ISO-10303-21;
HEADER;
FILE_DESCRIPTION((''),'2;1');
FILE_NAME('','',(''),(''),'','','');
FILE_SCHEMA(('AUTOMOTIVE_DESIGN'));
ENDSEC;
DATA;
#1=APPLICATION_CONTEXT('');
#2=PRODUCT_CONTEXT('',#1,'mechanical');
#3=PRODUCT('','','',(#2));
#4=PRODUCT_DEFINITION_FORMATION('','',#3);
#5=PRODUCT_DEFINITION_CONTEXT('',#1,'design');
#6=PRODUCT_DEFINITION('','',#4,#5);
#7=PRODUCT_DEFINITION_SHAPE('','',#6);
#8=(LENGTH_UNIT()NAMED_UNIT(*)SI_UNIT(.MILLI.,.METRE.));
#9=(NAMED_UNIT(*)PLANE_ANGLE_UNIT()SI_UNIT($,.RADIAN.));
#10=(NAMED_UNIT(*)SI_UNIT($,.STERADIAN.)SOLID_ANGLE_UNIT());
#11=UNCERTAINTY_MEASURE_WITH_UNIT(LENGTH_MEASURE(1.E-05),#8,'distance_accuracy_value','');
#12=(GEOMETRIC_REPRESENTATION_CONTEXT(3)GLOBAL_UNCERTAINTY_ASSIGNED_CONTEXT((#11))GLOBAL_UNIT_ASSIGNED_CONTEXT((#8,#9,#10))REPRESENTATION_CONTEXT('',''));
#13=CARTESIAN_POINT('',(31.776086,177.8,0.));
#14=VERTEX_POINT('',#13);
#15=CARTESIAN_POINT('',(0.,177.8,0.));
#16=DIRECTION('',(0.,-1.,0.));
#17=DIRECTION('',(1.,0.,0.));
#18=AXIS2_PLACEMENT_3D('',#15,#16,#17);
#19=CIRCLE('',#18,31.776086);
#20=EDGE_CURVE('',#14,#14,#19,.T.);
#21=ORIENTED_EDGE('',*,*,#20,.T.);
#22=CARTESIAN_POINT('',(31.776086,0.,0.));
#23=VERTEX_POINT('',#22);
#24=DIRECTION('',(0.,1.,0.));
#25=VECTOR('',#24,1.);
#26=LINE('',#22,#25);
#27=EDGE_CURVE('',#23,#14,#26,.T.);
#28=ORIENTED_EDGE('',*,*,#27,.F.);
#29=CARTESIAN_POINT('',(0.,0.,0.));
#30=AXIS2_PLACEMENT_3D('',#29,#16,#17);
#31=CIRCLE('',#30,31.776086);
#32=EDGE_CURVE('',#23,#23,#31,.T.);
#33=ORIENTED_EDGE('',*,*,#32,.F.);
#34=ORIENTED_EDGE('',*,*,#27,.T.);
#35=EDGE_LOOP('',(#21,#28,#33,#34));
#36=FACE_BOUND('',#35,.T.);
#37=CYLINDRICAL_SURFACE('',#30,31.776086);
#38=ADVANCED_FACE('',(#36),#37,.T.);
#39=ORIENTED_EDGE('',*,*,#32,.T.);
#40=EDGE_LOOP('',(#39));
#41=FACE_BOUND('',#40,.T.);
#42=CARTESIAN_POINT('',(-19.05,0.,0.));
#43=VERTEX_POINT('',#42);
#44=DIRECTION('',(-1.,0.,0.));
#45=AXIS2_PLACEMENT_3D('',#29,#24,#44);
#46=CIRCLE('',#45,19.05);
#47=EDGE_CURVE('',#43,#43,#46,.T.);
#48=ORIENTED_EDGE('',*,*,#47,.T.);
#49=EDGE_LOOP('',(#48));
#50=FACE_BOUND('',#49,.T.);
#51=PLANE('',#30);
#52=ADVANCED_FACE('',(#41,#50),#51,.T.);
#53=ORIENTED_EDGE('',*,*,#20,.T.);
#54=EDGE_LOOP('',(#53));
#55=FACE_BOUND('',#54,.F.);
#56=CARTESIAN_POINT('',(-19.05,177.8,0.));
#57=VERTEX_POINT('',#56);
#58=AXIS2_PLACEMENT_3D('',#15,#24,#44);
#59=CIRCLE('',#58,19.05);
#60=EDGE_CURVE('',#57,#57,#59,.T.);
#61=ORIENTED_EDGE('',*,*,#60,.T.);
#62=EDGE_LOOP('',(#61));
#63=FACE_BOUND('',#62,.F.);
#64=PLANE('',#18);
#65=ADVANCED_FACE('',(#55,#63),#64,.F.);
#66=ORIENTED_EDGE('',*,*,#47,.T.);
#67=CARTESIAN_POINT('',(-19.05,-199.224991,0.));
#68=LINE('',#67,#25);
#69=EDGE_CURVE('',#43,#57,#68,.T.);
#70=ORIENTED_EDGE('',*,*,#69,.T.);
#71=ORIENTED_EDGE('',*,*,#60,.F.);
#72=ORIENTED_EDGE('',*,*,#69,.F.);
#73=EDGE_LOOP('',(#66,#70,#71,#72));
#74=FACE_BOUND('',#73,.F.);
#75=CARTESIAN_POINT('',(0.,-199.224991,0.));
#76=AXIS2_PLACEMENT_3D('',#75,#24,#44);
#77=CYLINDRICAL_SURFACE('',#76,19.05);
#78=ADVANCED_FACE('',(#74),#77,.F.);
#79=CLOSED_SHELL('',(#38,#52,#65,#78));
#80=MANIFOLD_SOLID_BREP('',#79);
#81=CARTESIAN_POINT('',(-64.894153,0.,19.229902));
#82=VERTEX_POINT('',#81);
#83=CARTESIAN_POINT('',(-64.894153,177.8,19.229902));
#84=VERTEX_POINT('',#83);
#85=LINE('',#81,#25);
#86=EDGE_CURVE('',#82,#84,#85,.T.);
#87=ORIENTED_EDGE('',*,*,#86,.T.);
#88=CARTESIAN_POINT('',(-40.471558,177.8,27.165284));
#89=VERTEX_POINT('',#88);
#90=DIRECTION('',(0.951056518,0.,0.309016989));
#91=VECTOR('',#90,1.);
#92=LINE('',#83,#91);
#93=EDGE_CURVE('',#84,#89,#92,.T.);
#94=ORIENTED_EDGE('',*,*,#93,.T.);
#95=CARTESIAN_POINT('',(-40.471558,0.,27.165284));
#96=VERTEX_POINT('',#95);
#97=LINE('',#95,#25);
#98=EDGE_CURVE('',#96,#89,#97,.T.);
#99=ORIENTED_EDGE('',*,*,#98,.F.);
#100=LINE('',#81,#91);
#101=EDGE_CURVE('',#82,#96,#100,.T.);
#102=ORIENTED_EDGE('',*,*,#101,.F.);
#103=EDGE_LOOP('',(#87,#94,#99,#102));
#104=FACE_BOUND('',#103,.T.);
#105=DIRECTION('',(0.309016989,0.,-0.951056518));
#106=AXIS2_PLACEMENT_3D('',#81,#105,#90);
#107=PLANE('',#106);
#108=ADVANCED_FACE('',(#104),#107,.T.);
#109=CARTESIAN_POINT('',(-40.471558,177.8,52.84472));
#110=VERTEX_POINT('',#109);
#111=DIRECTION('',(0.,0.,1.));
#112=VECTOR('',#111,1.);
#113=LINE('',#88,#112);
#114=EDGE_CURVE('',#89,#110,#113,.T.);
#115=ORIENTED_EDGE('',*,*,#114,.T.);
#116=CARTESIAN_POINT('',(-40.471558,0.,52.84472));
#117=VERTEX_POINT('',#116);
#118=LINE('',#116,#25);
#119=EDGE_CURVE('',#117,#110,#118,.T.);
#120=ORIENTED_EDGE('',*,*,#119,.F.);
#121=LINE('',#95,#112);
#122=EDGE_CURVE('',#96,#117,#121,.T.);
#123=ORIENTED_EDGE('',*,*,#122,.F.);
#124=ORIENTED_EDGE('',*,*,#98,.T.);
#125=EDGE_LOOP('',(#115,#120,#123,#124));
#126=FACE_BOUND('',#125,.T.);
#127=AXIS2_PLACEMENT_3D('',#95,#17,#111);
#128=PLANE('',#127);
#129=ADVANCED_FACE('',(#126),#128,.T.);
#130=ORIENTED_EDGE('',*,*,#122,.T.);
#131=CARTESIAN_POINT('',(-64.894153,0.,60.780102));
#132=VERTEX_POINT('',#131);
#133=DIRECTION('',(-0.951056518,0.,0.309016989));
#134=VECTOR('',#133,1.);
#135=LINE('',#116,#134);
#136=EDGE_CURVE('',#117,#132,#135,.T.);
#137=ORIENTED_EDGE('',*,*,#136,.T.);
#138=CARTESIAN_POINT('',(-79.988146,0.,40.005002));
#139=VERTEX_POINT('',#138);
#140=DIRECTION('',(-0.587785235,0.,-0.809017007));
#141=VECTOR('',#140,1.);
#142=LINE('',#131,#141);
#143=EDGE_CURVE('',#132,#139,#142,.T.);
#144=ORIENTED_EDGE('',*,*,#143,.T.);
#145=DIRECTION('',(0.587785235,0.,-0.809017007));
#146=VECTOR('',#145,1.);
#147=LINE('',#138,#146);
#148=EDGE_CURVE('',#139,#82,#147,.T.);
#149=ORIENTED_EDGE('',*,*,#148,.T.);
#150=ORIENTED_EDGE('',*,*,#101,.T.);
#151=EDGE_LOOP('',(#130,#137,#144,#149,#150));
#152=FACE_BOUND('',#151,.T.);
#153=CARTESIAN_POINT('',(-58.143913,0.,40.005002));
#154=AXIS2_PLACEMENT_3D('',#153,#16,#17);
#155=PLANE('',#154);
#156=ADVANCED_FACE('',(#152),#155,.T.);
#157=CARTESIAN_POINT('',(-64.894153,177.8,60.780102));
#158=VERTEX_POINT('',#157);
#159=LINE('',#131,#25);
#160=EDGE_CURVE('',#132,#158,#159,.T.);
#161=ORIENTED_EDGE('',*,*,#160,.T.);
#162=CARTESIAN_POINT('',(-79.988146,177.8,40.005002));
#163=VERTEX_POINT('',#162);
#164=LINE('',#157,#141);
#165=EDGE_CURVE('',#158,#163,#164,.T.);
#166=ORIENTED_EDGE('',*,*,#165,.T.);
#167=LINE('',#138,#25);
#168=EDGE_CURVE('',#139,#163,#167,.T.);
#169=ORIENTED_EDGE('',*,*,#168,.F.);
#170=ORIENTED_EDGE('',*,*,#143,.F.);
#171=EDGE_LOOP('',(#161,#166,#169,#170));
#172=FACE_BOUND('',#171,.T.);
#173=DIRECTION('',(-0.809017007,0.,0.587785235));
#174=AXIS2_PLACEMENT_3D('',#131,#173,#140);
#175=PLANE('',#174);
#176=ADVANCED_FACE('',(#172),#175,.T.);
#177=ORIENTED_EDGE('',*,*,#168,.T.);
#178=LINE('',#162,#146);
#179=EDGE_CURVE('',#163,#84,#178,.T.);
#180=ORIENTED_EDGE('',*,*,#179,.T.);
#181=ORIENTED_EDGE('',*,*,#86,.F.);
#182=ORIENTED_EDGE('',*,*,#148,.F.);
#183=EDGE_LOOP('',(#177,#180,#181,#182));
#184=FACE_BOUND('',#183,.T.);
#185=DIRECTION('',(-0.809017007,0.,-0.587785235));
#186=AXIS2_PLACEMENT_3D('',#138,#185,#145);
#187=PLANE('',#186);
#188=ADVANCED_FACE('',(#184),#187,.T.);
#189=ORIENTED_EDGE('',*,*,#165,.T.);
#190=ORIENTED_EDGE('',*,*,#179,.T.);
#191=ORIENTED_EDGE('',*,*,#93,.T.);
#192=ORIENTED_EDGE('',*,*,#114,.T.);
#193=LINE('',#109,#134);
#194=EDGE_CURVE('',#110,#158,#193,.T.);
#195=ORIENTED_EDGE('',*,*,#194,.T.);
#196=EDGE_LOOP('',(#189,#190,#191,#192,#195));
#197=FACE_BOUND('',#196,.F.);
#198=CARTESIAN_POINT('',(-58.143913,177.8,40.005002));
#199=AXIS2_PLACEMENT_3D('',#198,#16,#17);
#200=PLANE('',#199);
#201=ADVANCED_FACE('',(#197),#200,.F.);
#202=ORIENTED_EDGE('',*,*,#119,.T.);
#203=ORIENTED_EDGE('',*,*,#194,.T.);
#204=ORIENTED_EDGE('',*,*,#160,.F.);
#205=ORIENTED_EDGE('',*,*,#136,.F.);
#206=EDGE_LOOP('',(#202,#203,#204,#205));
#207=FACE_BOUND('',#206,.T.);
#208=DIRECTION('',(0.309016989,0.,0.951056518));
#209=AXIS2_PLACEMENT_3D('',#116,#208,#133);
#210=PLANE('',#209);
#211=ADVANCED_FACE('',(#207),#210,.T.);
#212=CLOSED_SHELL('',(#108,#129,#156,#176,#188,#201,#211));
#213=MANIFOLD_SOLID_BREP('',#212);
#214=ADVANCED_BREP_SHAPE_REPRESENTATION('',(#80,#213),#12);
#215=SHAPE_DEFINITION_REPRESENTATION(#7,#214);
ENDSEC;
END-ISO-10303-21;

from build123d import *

# Parameters (mm, degrees)
F0_R     = 31.776086
F1_DEPTH = 177.8
F3_D     = 38.1
F5_DEPTH = 177.8


with BuildPart() as f1:
    # F0 (on Front) → F1 (new body)
    with BuildSketch(Plane.XZ):
        Circle(F0_R)
    extrude(amount=-F1_DEPTH)

    # F3 (through all)
    with Locations(Plane.XZ):
        with Locations((0, 0)):
            Hole(F3_D / 2)


with BuildPart() as f5:
    # F4 (on Front) → F5 (new body)
    with BuildSketch(Plane.XZ):
        Polygon((-40.471558, 27.165284), (-40.471558, 52.84472), (-64.894153, 60.780102), (-79.988146, 40.005002), (-64.894153, 19.229902), align=None)
    extrude(amount=-F5_DEPTH)


solid = Compound([f1.part, f5.part])
